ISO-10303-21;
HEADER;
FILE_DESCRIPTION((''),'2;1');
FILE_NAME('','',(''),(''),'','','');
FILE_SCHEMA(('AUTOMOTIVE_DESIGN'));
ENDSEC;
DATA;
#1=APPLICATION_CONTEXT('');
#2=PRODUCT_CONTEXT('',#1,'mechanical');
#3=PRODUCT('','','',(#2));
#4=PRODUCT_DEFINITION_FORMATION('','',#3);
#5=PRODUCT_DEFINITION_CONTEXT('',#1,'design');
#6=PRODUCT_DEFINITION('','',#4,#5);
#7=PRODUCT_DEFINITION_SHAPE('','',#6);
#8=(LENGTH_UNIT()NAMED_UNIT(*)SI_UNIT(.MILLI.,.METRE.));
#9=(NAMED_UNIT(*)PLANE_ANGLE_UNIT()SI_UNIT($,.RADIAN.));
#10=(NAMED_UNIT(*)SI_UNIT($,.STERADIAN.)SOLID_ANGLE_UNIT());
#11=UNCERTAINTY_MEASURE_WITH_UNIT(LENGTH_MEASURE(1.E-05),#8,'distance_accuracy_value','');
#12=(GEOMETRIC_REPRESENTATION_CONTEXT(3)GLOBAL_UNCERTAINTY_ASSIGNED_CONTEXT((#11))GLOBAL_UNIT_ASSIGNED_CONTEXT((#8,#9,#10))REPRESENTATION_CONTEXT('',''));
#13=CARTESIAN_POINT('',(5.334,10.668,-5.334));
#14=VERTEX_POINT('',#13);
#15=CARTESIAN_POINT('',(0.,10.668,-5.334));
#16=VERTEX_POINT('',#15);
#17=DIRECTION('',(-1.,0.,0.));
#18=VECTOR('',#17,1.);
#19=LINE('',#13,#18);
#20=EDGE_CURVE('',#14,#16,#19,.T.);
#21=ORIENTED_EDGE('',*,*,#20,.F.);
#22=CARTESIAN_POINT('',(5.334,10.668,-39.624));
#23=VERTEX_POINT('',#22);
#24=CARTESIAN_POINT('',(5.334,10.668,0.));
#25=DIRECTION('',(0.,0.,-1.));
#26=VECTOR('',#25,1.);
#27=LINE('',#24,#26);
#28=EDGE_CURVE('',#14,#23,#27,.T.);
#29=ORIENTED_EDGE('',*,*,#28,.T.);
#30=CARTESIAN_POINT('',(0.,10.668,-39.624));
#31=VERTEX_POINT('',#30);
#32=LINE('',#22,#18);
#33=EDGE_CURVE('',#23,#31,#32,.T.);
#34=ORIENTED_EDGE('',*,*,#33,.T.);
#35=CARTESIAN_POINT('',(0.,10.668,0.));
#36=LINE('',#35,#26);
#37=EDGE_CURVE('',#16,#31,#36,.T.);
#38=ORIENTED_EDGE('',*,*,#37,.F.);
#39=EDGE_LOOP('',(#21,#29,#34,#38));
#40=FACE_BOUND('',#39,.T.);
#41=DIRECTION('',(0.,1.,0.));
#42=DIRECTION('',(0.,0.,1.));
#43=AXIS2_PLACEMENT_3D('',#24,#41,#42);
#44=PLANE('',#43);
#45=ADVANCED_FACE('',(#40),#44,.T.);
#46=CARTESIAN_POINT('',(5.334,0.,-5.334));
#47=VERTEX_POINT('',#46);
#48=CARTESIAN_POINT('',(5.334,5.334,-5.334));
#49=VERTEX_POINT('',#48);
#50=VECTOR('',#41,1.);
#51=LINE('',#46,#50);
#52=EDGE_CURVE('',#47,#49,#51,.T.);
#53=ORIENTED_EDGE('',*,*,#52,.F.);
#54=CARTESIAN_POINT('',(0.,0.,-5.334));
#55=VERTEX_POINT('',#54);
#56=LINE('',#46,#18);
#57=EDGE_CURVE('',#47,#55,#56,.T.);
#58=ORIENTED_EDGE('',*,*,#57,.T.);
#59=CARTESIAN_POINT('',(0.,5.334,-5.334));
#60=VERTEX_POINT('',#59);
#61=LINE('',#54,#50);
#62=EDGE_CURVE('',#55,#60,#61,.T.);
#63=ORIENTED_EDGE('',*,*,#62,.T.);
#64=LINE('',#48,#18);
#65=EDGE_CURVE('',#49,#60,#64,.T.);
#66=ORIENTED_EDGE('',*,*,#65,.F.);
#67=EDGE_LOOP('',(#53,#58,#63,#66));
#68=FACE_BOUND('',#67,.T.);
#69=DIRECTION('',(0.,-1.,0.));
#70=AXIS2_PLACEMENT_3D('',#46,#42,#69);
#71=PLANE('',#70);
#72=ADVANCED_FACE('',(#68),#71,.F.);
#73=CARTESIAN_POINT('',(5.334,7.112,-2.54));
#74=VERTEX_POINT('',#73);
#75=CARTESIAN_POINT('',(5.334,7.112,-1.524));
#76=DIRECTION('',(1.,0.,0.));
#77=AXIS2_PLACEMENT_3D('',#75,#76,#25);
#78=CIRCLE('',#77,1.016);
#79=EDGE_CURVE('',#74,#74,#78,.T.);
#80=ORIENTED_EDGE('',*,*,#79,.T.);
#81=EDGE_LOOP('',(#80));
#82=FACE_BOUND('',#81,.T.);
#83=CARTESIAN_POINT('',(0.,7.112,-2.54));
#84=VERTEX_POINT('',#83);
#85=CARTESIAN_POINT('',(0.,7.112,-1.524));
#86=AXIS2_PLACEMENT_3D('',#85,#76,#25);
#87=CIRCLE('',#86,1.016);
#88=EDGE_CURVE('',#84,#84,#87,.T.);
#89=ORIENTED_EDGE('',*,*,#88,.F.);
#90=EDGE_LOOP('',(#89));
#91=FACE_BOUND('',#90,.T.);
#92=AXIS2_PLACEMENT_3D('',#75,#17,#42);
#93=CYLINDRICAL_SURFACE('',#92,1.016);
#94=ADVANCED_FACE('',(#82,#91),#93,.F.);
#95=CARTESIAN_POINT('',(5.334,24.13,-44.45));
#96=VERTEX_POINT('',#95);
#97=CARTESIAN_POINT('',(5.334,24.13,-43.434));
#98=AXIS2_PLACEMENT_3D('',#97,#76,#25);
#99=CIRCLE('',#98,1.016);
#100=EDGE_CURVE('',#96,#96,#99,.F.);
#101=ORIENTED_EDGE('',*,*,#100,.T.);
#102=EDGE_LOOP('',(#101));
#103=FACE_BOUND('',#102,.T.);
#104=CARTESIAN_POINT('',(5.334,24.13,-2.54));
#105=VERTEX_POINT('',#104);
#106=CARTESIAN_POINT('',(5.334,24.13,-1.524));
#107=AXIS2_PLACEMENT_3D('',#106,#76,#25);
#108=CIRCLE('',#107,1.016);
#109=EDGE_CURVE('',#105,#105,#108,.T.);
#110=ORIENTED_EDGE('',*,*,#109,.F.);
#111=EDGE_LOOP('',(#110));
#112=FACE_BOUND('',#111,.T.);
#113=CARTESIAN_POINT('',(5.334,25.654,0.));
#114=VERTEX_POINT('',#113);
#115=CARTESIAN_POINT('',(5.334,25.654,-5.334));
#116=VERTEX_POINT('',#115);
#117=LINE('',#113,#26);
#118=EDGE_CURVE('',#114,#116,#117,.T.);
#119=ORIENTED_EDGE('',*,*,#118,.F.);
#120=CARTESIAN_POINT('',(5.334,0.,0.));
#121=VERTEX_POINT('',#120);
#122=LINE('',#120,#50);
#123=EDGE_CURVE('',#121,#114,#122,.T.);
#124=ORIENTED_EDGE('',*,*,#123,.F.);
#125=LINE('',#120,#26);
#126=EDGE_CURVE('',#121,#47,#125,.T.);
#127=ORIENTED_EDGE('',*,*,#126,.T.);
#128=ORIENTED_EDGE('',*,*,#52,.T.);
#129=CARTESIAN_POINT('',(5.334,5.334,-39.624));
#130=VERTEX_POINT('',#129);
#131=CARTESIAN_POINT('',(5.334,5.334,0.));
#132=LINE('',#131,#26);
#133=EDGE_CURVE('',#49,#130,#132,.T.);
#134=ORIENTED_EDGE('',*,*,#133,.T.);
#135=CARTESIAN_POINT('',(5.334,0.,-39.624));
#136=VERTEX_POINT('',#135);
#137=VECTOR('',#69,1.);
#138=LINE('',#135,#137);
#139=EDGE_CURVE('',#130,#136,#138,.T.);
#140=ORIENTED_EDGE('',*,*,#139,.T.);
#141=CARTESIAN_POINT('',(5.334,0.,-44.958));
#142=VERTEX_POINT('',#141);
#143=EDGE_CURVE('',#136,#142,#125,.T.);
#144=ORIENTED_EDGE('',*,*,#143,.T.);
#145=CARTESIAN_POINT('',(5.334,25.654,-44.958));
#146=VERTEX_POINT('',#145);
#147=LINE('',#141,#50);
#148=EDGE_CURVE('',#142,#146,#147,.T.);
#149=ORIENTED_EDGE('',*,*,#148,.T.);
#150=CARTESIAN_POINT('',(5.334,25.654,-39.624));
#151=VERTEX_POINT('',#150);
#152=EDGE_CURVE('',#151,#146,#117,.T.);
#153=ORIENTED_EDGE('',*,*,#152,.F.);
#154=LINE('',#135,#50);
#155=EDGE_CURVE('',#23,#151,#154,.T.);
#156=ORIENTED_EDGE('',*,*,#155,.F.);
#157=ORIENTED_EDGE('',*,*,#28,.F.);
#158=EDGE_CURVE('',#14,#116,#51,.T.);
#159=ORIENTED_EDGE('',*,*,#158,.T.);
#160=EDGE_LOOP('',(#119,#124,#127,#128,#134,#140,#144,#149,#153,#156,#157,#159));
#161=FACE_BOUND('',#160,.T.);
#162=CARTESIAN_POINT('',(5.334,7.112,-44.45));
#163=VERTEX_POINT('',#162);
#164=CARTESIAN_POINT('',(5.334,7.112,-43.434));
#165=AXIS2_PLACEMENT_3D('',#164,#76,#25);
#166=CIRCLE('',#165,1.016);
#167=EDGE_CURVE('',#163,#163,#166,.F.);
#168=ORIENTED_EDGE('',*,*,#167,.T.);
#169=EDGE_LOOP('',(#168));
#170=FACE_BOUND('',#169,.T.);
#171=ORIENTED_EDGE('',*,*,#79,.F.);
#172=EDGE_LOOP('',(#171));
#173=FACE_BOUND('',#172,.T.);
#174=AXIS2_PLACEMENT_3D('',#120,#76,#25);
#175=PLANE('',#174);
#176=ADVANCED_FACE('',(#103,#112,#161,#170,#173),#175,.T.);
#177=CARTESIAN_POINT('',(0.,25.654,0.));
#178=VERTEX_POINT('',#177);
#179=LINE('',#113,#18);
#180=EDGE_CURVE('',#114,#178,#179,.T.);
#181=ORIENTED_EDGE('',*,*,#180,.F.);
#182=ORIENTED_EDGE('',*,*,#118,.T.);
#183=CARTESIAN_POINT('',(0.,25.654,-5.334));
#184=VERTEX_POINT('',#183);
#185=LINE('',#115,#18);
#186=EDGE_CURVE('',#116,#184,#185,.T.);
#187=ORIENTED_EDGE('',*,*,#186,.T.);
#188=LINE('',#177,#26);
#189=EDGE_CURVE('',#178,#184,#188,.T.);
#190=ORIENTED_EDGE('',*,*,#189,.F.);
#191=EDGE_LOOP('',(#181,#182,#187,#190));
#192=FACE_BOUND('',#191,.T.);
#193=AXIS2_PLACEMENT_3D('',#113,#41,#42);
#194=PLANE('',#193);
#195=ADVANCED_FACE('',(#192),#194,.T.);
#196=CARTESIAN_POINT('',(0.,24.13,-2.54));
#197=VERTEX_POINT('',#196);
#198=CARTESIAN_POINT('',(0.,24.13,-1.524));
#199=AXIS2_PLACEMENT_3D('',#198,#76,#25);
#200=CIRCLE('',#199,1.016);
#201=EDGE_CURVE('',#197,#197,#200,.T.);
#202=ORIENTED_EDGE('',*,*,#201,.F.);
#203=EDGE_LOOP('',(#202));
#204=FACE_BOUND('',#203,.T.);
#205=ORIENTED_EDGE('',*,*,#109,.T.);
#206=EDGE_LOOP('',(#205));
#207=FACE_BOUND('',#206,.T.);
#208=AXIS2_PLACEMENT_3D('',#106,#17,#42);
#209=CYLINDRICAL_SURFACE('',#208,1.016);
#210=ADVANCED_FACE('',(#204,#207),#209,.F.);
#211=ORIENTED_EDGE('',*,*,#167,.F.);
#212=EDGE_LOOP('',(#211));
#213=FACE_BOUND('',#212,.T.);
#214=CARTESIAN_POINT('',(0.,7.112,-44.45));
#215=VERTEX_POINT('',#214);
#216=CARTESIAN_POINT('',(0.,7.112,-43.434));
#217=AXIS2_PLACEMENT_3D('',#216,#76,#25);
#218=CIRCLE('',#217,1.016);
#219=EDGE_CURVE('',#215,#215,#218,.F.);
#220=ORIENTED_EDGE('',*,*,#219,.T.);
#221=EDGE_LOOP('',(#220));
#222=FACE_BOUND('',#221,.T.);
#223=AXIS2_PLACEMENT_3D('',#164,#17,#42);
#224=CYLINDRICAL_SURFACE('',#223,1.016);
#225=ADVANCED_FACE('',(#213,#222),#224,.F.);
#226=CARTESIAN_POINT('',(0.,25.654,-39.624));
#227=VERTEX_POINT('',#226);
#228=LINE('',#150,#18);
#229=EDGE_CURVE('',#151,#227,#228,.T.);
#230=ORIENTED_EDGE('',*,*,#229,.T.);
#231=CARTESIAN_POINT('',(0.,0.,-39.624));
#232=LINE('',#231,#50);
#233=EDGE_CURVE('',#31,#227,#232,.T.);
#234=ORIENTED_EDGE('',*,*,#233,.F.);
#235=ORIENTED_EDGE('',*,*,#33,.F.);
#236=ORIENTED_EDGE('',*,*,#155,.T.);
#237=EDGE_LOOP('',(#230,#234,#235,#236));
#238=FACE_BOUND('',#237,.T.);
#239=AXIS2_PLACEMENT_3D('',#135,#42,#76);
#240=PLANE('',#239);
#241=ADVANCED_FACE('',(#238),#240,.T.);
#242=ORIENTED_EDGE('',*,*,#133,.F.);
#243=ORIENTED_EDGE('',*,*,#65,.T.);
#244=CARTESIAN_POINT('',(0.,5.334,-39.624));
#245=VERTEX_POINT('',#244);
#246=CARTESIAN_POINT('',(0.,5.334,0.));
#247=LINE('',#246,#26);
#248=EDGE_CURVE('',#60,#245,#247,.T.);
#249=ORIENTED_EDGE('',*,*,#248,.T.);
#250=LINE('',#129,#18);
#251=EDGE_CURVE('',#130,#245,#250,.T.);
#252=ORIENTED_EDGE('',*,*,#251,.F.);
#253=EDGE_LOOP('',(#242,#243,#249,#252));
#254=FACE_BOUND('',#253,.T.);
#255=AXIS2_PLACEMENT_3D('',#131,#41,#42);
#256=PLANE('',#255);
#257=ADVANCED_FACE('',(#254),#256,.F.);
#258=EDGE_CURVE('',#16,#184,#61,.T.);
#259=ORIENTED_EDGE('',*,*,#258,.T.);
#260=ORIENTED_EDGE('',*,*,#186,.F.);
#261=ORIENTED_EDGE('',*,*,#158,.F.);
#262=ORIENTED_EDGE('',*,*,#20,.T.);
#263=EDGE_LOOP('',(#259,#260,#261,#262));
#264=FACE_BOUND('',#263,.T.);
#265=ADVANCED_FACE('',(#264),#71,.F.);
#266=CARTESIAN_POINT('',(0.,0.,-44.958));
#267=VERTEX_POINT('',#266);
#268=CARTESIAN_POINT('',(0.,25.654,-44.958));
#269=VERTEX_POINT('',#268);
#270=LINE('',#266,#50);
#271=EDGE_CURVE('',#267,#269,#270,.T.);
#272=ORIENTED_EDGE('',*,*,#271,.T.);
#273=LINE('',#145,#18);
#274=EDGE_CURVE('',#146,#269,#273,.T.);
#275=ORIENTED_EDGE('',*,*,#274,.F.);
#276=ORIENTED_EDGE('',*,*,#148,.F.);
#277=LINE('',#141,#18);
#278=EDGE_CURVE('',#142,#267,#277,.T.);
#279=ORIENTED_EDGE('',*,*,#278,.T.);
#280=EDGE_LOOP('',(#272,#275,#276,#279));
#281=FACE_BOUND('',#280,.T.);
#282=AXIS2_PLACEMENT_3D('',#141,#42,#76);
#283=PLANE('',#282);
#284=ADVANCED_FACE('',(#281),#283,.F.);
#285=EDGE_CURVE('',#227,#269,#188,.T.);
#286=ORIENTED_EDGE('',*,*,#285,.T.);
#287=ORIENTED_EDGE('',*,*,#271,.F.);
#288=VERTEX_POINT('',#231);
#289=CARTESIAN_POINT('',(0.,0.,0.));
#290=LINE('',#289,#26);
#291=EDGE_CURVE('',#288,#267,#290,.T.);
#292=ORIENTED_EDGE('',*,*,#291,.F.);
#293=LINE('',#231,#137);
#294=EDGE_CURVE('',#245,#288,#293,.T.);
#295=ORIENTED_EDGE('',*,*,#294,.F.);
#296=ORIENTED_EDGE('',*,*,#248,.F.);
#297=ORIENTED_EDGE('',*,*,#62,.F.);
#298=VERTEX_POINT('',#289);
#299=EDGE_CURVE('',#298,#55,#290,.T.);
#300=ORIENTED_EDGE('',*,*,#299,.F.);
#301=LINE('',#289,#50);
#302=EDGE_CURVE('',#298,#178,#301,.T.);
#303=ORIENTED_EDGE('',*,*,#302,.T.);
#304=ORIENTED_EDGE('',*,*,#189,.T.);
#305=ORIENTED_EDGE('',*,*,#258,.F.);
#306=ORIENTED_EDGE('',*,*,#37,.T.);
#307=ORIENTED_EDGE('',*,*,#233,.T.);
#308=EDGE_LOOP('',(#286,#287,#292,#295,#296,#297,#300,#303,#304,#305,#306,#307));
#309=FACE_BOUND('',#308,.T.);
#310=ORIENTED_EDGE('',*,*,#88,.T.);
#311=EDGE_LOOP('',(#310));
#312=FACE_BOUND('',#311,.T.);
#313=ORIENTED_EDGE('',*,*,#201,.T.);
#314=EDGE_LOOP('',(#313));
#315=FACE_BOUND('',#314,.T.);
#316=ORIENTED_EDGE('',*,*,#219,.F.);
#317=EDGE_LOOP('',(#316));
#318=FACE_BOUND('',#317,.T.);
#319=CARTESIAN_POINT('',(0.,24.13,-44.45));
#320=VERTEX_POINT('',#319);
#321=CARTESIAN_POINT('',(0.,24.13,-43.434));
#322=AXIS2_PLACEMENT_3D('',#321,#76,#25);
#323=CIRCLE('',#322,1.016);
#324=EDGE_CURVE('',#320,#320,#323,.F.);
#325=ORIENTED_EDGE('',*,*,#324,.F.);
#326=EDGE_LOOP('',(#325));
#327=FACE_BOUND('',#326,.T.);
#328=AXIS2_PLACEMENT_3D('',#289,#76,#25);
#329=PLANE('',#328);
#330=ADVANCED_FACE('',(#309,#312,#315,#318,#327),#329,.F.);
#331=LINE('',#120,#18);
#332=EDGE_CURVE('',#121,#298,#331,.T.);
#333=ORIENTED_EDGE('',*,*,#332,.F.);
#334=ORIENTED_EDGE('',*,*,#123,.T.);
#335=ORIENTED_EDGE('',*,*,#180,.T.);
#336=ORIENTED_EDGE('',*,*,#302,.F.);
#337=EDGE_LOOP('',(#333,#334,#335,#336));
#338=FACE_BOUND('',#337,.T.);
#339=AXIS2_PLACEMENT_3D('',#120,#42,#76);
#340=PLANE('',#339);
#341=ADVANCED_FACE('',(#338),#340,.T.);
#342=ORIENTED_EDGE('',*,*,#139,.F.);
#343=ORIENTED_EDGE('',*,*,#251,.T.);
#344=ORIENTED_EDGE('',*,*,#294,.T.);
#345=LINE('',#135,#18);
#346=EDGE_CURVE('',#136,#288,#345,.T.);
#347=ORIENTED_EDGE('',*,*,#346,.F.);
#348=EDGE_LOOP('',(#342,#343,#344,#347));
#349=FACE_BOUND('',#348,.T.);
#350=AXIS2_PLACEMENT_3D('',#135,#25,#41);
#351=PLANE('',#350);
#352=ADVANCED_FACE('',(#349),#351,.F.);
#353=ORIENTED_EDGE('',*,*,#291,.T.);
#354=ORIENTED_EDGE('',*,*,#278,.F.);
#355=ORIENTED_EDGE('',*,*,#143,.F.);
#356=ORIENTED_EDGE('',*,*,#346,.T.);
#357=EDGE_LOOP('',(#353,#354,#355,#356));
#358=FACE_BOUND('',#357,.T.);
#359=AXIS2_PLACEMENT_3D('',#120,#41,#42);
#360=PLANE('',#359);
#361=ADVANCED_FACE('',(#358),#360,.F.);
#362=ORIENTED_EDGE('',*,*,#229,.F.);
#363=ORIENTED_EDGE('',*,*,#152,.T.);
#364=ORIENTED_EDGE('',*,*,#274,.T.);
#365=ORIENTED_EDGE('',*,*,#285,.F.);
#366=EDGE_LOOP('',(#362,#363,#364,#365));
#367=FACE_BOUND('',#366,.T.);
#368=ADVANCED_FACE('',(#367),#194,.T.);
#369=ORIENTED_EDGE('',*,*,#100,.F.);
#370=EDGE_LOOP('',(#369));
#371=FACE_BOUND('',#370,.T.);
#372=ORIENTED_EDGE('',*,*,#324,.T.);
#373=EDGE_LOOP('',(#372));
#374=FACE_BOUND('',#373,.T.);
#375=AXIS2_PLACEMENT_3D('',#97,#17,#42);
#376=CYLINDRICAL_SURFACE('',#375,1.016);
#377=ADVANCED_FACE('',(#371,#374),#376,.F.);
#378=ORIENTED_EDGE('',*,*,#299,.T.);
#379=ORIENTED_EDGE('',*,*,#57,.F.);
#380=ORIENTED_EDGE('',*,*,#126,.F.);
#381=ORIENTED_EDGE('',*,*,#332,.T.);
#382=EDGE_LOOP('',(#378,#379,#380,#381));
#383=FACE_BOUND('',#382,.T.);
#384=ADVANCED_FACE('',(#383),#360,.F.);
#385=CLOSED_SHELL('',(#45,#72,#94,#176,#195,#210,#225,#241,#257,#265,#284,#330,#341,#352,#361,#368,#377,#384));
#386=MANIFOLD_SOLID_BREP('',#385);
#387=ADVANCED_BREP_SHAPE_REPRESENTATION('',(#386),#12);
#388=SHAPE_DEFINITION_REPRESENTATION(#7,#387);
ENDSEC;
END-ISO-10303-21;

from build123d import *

# Parameters (mm, degrees)
SKETCH1_R           = 1.016
BOSS_EXTRUDE1_DEPTH = 5.334


with BuildPart() as part:
    # Sketch1 → Boss-Extrude1 (new body)
    with BuildSketch(Plane(origin=(0, 0, 0), x_dir=(0, 0, -1), z_dir=(1, 0, 0))):
        Polygon((0, 0), (5.334, 0), (5.334, 5.334), (39.624, 5.334), (39.624, 0), (44.958, 0), (44.958, 25.654), (39.624, 25.654), (39.624, 10.668), (5.334, 10.668), (5.334, 25.654), (0, 25.654), align=None)
        with Locations((1.524, 24.13)):
            Circle(SKETCH1_R, mode=Mode.SUBTRACT)
        with Locations((1.524, 7.112)):
            Circle(SKETCH1_R, mode=Mode.SUBTRACT)
        with Locations((43.434, 24.13)):
            Circle(SKETCH1_R, mode=Mode.SUBTRACT)
        with Locations((43.434, 7.112)):
            Circle(SKETCH1_R, mode=Mode.SUBTRACT)
    extrude(amount=BOSS_EXTRUDE1_DEPTH)


solid = part.part
